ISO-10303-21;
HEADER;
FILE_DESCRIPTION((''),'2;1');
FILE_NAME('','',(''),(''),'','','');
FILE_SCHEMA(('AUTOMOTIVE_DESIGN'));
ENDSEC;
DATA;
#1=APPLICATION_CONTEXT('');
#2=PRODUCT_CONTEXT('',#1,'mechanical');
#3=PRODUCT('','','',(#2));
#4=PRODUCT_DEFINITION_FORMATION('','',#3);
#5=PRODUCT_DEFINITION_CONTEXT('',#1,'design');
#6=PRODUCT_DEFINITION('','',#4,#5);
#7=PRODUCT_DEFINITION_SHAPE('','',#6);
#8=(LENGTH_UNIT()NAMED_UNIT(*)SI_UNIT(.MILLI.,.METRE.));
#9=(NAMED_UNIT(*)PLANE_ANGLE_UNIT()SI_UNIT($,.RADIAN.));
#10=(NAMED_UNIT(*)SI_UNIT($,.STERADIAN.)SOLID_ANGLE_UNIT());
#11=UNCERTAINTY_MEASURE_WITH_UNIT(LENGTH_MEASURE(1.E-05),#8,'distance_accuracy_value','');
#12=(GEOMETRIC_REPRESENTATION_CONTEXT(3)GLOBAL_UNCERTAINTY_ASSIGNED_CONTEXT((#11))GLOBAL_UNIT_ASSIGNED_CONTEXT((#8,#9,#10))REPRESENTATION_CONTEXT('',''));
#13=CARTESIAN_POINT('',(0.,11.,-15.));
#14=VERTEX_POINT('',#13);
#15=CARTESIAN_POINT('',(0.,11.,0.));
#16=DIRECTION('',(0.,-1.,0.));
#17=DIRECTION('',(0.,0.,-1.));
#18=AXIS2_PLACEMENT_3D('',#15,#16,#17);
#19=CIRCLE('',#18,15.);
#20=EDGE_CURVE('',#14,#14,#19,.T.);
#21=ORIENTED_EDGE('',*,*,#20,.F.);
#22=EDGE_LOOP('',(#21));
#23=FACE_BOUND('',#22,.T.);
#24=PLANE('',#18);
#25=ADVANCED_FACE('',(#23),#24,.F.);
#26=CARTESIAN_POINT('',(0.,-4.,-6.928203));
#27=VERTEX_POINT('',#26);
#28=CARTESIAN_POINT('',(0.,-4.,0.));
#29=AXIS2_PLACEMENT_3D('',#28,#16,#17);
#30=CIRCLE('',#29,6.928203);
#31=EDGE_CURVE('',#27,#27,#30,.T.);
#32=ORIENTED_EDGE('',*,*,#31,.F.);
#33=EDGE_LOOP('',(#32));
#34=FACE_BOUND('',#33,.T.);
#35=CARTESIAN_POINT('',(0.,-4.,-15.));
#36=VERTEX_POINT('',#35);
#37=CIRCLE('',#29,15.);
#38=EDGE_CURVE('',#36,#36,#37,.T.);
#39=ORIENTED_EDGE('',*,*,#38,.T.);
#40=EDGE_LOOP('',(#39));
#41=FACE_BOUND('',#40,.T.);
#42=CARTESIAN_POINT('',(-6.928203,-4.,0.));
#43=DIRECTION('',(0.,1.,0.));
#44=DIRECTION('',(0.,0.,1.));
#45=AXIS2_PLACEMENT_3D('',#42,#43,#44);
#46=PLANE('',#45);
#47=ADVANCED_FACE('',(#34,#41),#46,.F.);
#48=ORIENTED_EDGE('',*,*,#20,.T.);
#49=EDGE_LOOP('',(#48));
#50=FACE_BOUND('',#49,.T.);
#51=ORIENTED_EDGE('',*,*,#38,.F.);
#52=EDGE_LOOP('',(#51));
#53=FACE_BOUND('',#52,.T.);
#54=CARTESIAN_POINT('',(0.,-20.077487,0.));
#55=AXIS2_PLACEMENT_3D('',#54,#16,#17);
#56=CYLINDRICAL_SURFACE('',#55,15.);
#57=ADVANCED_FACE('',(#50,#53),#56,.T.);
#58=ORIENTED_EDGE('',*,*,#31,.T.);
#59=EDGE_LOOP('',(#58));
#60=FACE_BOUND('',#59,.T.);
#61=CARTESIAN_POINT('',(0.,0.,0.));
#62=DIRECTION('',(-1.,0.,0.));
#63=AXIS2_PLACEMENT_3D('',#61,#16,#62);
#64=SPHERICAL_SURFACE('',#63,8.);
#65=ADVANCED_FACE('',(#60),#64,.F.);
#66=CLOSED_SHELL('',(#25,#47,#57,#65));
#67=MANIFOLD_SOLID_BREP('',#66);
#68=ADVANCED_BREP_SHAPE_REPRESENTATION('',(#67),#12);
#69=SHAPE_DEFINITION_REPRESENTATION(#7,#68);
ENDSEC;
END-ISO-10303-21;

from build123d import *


with BuildPart() as part:
    # Esquisse1 → Base-Révolution (revolve)
    with BuildSketch(Plane.XY):
        with BuildLine():
            Line((-6.92820323, -4), (-15, -4))
            Line((-15, -4), (-15, 11))
            Line((-15, 11), (0, 11))
            Line((0, 11), (0, 8))
            ThreePointArc((0, 8), (-6.92820323, 4), (-6.92820323, -4))
        make_face()
    revolve(axis=Axis((0, -20.077487437, 0), (0, 1, 0)))


solid = part.part
